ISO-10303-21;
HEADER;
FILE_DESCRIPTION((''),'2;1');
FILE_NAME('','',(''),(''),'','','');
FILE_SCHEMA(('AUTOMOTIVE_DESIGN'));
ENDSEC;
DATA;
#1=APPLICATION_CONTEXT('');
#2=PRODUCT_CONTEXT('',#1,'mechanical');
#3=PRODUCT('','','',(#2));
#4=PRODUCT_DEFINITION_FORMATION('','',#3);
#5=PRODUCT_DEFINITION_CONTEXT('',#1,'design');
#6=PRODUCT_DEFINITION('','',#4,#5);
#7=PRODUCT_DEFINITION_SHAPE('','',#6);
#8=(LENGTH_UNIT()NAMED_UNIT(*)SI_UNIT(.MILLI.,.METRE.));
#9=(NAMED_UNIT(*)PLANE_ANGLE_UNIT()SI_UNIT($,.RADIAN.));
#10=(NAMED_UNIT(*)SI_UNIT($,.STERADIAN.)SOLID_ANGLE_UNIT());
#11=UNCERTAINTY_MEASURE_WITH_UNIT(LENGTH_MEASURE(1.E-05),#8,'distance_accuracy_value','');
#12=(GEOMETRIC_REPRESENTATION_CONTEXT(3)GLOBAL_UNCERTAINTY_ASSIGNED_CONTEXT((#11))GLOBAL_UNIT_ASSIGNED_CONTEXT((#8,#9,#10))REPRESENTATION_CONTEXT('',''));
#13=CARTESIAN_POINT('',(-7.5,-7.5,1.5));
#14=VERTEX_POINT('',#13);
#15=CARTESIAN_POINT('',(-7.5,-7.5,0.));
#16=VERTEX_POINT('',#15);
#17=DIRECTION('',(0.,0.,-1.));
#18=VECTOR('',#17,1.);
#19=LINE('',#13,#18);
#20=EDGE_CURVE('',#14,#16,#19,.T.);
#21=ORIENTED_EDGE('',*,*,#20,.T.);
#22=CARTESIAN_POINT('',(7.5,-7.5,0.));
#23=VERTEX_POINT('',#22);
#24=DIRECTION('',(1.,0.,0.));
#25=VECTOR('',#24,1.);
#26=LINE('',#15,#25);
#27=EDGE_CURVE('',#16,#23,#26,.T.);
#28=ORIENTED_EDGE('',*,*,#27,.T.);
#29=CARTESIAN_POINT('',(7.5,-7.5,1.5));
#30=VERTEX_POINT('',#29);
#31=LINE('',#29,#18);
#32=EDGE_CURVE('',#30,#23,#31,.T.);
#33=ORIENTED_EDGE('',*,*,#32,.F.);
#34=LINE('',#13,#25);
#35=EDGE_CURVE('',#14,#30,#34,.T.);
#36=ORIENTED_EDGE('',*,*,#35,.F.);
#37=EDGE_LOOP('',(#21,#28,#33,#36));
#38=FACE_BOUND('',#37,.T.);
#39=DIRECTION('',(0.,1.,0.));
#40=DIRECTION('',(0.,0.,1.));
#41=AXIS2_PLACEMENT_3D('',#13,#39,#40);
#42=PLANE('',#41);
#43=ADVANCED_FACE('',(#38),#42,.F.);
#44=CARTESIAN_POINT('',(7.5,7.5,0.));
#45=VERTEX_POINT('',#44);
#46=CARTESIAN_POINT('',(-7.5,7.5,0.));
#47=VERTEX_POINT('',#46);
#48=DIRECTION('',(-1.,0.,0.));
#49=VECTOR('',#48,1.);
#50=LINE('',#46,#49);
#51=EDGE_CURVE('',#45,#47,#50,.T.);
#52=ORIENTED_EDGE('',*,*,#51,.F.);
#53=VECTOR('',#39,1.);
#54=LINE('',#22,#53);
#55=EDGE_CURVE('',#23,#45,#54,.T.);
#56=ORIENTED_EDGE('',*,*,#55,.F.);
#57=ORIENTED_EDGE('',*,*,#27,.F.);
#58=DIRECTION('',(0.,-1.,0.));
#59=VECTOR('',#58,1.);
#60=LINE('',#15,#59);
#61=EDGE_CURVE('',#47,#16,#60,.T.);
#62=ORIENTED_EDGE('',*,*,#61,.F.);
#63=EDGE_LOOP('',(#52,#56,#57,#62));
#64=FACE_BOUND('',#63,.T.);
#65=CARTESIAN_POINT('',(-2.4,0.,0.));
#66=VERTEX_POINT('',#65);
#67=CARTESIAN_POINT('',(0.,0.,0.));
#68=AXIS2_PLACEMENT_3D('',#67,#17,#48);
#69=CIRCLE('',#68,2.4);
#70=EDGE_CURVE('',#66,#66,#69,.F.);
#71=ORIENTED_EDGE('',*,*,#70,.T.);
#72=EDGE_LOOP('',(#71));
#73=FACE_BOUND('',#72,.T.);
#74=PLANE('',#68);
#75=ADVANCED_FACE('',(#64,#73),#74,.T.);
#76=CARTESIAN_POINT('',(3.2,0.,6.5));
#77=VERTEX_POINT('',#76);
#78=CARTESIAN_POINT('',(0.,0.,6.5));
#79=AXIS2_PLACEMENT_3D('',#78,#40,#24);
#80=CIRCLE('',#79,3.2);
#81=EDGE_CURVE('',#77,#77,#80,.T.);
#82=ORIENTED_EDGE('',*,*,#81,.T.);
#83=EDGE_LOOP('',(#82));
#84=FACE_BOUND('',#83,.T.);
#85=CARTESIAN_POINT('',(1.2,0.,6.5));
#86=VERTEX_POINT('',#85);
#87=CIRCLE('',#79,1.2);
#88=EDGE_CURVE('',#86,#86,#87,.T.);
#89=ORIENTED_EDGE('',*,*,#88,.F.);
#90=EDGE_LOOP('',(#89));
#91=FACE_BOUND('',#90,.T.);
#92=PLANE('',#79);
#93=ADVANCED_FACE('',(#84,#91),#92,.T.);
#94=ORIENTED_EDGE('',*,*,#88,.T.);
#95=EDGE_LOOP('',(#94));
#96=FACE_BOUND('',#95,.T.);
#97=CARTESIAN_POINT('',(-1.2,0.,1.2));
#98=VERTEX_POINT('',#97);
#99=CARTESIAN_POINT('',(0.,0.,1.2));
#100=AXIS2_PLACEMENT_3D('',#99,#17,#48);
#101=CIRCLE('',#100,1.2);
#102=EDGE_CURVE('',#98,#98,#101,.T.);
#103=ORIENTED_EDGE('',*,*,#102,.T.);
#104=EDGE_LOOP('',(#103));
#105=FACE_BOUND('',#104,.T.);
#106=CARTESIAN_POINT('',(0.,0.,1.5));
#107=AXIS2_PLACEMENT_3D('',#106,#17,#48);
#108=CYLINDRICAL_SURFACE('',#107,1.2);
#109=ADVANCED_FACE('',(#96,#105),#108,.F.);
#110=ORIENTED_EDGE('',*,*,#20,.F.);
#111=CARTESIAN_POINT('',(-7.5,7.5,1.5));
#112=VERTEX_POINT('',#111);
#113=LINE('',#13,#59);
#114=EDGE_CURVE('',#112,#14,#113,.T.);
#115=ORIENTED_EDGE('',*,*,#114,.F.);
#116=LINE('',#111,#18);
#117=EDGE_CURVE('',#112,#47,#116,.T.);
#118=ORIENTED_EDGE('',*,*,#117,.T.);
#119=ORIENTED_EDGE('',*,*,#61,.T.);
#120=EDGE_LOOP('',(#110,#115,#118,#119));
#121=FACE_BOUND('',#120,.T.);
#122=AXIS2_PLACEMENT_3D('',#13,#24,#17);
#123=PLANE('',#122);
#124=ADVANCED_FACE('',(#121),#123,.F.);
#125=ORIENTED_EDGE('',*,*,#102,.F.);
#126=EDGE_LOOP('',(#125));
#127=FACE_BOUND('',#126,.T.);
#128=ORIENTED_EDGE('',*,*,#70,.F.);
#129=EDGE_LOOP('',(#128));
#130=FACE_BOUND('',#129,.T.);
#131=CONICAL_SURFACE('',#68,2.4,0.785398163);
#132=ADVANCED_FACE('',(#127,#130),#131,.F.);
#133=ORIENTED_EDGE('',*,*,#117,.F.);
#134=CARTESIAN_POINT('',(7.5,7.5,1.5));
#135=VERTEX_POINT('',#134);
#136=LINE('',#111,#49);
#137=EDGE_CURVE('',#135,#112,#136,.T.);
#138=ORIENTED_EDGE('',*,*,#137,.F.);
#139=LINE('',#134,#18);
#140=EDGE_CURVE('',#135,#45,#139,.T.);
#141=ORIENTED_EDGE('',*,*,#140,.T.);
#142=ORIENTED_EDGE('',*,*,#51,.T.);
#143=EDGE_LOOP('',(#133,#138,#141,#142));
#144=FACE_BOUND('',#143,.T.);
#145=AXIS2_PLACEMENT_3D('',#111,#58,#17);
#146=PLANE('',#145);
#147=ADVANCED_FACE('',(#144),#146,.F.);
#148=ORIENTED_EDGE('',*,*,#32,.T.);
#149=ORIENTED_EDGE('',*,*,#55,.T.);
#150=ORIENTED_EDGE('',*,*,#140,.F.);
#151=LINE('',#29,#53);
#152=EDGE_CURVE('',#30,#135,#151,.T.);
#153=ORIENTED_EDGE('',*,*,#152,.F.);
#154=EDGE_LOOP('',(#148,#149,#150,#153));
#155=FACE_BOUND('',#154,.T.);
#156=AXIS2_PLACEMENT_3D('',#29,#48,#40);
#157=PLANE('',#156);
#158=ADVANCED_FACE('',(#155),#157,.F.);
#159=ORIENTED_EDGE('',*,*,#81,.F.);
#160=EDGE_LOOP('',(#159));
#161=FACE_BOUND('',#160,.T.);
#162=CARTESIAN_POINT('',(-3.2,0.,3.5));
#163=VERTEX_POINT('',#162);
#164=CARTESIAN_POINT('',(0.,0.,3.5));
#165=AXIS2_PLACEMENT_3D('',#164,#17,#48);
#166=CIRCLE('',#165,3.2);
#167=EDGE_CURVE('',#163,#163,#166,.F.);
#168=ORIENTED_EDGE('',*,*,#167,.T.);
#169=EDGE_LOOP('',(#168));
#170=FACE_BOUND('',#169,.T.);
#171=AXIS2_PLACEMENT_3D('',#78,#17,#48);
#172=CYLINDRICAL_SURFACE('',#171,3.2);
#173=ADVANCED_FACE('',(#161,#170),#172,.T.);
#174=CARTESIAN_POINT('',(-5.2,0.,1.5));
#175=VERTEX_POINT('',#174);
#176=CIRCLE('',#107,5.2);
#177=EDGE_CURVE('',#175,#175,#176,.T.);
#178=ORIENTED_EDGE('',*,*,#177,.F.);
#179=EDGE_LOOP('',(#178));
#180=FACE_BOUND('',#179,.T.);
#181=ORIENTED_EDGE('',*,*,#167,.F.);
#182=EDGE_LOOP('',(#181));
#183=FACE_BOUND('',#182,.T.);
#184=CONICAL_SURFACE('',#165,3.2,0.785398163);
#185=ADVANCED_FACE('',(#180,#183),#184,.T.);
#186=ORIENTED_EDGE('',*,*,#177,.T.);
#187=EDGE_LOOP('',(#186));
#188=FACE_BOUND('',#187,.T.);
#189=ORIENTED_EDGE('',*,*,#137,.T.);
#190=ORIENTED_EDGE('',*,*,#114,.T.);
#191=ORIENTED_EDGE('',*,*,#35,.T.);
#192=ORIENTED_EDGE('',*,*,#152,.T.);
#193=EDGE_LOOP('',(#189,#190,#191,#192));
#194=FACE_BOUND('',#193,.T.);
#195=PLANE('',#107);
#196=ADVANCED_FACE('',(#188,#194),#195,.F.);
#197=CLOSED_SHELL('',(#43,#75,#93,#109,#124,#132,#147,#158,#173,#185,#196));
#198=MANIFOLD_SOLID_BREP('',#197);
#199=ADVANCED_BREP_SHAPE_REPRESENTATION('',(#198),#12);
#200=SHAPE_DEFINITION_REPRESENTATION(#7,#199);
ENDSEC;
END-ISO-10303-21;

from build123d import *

# Parameters (mm, degrees)
SKETCH_2_W        = 15
SKETCH_2_H        = 15
SKETCH_2_R        = 1.2
EXTRUDE_430_DEPTH = 1.5
SKETCH_3_R        = 3.2
SKETCH_3_R_2      = 1.2
EXTRUDE_671_DEPTH = 5
CHAMFER_1_SIZE    = 1.2
CHAMFER_2_SIZE    = 2


with BuildPart() as part:
    # Эскиз2 → Extrude 430 (new body)
    with BuildSketch(Plane.XY):
        Rectangle(SKETCH_2_W, SKETCH_2_H)
        Circle(SKETCH_2_R, mode=Mode.SUBTRACT)
    extrude(amount=EXTRUDE_430_DEPTH)

    # Эскиз3 → Extrude 671 (add)
    with BuildSketch(Plane.XY.offset(1.5)):
        with Locations(Location((0, 0, 0), (0, 0, 180))):
            Circle(SKETCH_3_R)
        Circle(SKETCH_3_R_2, mode=Mode.SUBTRACT)
    extrude(amount=EXTRUDE_671_DEPTH)

    # Фаска1
    chamfer_1_edges = [part.edges().sort_by_distance(p)[0] for p in [
        (-1.2, 0, 0),
    ]]
    chamfer(chamfer_1_edges, length=CHAMFER_1_SIZE)

    # Фаска2
    chamfer_2_edges = [part.edges().sort_by_distance(p)[0] for p in [
        (3.2, 0, 1.5),
    ]]
    chamfer(chamfer_2_edges, length=CHAMFER_2_SIZE)


solid = part.part
